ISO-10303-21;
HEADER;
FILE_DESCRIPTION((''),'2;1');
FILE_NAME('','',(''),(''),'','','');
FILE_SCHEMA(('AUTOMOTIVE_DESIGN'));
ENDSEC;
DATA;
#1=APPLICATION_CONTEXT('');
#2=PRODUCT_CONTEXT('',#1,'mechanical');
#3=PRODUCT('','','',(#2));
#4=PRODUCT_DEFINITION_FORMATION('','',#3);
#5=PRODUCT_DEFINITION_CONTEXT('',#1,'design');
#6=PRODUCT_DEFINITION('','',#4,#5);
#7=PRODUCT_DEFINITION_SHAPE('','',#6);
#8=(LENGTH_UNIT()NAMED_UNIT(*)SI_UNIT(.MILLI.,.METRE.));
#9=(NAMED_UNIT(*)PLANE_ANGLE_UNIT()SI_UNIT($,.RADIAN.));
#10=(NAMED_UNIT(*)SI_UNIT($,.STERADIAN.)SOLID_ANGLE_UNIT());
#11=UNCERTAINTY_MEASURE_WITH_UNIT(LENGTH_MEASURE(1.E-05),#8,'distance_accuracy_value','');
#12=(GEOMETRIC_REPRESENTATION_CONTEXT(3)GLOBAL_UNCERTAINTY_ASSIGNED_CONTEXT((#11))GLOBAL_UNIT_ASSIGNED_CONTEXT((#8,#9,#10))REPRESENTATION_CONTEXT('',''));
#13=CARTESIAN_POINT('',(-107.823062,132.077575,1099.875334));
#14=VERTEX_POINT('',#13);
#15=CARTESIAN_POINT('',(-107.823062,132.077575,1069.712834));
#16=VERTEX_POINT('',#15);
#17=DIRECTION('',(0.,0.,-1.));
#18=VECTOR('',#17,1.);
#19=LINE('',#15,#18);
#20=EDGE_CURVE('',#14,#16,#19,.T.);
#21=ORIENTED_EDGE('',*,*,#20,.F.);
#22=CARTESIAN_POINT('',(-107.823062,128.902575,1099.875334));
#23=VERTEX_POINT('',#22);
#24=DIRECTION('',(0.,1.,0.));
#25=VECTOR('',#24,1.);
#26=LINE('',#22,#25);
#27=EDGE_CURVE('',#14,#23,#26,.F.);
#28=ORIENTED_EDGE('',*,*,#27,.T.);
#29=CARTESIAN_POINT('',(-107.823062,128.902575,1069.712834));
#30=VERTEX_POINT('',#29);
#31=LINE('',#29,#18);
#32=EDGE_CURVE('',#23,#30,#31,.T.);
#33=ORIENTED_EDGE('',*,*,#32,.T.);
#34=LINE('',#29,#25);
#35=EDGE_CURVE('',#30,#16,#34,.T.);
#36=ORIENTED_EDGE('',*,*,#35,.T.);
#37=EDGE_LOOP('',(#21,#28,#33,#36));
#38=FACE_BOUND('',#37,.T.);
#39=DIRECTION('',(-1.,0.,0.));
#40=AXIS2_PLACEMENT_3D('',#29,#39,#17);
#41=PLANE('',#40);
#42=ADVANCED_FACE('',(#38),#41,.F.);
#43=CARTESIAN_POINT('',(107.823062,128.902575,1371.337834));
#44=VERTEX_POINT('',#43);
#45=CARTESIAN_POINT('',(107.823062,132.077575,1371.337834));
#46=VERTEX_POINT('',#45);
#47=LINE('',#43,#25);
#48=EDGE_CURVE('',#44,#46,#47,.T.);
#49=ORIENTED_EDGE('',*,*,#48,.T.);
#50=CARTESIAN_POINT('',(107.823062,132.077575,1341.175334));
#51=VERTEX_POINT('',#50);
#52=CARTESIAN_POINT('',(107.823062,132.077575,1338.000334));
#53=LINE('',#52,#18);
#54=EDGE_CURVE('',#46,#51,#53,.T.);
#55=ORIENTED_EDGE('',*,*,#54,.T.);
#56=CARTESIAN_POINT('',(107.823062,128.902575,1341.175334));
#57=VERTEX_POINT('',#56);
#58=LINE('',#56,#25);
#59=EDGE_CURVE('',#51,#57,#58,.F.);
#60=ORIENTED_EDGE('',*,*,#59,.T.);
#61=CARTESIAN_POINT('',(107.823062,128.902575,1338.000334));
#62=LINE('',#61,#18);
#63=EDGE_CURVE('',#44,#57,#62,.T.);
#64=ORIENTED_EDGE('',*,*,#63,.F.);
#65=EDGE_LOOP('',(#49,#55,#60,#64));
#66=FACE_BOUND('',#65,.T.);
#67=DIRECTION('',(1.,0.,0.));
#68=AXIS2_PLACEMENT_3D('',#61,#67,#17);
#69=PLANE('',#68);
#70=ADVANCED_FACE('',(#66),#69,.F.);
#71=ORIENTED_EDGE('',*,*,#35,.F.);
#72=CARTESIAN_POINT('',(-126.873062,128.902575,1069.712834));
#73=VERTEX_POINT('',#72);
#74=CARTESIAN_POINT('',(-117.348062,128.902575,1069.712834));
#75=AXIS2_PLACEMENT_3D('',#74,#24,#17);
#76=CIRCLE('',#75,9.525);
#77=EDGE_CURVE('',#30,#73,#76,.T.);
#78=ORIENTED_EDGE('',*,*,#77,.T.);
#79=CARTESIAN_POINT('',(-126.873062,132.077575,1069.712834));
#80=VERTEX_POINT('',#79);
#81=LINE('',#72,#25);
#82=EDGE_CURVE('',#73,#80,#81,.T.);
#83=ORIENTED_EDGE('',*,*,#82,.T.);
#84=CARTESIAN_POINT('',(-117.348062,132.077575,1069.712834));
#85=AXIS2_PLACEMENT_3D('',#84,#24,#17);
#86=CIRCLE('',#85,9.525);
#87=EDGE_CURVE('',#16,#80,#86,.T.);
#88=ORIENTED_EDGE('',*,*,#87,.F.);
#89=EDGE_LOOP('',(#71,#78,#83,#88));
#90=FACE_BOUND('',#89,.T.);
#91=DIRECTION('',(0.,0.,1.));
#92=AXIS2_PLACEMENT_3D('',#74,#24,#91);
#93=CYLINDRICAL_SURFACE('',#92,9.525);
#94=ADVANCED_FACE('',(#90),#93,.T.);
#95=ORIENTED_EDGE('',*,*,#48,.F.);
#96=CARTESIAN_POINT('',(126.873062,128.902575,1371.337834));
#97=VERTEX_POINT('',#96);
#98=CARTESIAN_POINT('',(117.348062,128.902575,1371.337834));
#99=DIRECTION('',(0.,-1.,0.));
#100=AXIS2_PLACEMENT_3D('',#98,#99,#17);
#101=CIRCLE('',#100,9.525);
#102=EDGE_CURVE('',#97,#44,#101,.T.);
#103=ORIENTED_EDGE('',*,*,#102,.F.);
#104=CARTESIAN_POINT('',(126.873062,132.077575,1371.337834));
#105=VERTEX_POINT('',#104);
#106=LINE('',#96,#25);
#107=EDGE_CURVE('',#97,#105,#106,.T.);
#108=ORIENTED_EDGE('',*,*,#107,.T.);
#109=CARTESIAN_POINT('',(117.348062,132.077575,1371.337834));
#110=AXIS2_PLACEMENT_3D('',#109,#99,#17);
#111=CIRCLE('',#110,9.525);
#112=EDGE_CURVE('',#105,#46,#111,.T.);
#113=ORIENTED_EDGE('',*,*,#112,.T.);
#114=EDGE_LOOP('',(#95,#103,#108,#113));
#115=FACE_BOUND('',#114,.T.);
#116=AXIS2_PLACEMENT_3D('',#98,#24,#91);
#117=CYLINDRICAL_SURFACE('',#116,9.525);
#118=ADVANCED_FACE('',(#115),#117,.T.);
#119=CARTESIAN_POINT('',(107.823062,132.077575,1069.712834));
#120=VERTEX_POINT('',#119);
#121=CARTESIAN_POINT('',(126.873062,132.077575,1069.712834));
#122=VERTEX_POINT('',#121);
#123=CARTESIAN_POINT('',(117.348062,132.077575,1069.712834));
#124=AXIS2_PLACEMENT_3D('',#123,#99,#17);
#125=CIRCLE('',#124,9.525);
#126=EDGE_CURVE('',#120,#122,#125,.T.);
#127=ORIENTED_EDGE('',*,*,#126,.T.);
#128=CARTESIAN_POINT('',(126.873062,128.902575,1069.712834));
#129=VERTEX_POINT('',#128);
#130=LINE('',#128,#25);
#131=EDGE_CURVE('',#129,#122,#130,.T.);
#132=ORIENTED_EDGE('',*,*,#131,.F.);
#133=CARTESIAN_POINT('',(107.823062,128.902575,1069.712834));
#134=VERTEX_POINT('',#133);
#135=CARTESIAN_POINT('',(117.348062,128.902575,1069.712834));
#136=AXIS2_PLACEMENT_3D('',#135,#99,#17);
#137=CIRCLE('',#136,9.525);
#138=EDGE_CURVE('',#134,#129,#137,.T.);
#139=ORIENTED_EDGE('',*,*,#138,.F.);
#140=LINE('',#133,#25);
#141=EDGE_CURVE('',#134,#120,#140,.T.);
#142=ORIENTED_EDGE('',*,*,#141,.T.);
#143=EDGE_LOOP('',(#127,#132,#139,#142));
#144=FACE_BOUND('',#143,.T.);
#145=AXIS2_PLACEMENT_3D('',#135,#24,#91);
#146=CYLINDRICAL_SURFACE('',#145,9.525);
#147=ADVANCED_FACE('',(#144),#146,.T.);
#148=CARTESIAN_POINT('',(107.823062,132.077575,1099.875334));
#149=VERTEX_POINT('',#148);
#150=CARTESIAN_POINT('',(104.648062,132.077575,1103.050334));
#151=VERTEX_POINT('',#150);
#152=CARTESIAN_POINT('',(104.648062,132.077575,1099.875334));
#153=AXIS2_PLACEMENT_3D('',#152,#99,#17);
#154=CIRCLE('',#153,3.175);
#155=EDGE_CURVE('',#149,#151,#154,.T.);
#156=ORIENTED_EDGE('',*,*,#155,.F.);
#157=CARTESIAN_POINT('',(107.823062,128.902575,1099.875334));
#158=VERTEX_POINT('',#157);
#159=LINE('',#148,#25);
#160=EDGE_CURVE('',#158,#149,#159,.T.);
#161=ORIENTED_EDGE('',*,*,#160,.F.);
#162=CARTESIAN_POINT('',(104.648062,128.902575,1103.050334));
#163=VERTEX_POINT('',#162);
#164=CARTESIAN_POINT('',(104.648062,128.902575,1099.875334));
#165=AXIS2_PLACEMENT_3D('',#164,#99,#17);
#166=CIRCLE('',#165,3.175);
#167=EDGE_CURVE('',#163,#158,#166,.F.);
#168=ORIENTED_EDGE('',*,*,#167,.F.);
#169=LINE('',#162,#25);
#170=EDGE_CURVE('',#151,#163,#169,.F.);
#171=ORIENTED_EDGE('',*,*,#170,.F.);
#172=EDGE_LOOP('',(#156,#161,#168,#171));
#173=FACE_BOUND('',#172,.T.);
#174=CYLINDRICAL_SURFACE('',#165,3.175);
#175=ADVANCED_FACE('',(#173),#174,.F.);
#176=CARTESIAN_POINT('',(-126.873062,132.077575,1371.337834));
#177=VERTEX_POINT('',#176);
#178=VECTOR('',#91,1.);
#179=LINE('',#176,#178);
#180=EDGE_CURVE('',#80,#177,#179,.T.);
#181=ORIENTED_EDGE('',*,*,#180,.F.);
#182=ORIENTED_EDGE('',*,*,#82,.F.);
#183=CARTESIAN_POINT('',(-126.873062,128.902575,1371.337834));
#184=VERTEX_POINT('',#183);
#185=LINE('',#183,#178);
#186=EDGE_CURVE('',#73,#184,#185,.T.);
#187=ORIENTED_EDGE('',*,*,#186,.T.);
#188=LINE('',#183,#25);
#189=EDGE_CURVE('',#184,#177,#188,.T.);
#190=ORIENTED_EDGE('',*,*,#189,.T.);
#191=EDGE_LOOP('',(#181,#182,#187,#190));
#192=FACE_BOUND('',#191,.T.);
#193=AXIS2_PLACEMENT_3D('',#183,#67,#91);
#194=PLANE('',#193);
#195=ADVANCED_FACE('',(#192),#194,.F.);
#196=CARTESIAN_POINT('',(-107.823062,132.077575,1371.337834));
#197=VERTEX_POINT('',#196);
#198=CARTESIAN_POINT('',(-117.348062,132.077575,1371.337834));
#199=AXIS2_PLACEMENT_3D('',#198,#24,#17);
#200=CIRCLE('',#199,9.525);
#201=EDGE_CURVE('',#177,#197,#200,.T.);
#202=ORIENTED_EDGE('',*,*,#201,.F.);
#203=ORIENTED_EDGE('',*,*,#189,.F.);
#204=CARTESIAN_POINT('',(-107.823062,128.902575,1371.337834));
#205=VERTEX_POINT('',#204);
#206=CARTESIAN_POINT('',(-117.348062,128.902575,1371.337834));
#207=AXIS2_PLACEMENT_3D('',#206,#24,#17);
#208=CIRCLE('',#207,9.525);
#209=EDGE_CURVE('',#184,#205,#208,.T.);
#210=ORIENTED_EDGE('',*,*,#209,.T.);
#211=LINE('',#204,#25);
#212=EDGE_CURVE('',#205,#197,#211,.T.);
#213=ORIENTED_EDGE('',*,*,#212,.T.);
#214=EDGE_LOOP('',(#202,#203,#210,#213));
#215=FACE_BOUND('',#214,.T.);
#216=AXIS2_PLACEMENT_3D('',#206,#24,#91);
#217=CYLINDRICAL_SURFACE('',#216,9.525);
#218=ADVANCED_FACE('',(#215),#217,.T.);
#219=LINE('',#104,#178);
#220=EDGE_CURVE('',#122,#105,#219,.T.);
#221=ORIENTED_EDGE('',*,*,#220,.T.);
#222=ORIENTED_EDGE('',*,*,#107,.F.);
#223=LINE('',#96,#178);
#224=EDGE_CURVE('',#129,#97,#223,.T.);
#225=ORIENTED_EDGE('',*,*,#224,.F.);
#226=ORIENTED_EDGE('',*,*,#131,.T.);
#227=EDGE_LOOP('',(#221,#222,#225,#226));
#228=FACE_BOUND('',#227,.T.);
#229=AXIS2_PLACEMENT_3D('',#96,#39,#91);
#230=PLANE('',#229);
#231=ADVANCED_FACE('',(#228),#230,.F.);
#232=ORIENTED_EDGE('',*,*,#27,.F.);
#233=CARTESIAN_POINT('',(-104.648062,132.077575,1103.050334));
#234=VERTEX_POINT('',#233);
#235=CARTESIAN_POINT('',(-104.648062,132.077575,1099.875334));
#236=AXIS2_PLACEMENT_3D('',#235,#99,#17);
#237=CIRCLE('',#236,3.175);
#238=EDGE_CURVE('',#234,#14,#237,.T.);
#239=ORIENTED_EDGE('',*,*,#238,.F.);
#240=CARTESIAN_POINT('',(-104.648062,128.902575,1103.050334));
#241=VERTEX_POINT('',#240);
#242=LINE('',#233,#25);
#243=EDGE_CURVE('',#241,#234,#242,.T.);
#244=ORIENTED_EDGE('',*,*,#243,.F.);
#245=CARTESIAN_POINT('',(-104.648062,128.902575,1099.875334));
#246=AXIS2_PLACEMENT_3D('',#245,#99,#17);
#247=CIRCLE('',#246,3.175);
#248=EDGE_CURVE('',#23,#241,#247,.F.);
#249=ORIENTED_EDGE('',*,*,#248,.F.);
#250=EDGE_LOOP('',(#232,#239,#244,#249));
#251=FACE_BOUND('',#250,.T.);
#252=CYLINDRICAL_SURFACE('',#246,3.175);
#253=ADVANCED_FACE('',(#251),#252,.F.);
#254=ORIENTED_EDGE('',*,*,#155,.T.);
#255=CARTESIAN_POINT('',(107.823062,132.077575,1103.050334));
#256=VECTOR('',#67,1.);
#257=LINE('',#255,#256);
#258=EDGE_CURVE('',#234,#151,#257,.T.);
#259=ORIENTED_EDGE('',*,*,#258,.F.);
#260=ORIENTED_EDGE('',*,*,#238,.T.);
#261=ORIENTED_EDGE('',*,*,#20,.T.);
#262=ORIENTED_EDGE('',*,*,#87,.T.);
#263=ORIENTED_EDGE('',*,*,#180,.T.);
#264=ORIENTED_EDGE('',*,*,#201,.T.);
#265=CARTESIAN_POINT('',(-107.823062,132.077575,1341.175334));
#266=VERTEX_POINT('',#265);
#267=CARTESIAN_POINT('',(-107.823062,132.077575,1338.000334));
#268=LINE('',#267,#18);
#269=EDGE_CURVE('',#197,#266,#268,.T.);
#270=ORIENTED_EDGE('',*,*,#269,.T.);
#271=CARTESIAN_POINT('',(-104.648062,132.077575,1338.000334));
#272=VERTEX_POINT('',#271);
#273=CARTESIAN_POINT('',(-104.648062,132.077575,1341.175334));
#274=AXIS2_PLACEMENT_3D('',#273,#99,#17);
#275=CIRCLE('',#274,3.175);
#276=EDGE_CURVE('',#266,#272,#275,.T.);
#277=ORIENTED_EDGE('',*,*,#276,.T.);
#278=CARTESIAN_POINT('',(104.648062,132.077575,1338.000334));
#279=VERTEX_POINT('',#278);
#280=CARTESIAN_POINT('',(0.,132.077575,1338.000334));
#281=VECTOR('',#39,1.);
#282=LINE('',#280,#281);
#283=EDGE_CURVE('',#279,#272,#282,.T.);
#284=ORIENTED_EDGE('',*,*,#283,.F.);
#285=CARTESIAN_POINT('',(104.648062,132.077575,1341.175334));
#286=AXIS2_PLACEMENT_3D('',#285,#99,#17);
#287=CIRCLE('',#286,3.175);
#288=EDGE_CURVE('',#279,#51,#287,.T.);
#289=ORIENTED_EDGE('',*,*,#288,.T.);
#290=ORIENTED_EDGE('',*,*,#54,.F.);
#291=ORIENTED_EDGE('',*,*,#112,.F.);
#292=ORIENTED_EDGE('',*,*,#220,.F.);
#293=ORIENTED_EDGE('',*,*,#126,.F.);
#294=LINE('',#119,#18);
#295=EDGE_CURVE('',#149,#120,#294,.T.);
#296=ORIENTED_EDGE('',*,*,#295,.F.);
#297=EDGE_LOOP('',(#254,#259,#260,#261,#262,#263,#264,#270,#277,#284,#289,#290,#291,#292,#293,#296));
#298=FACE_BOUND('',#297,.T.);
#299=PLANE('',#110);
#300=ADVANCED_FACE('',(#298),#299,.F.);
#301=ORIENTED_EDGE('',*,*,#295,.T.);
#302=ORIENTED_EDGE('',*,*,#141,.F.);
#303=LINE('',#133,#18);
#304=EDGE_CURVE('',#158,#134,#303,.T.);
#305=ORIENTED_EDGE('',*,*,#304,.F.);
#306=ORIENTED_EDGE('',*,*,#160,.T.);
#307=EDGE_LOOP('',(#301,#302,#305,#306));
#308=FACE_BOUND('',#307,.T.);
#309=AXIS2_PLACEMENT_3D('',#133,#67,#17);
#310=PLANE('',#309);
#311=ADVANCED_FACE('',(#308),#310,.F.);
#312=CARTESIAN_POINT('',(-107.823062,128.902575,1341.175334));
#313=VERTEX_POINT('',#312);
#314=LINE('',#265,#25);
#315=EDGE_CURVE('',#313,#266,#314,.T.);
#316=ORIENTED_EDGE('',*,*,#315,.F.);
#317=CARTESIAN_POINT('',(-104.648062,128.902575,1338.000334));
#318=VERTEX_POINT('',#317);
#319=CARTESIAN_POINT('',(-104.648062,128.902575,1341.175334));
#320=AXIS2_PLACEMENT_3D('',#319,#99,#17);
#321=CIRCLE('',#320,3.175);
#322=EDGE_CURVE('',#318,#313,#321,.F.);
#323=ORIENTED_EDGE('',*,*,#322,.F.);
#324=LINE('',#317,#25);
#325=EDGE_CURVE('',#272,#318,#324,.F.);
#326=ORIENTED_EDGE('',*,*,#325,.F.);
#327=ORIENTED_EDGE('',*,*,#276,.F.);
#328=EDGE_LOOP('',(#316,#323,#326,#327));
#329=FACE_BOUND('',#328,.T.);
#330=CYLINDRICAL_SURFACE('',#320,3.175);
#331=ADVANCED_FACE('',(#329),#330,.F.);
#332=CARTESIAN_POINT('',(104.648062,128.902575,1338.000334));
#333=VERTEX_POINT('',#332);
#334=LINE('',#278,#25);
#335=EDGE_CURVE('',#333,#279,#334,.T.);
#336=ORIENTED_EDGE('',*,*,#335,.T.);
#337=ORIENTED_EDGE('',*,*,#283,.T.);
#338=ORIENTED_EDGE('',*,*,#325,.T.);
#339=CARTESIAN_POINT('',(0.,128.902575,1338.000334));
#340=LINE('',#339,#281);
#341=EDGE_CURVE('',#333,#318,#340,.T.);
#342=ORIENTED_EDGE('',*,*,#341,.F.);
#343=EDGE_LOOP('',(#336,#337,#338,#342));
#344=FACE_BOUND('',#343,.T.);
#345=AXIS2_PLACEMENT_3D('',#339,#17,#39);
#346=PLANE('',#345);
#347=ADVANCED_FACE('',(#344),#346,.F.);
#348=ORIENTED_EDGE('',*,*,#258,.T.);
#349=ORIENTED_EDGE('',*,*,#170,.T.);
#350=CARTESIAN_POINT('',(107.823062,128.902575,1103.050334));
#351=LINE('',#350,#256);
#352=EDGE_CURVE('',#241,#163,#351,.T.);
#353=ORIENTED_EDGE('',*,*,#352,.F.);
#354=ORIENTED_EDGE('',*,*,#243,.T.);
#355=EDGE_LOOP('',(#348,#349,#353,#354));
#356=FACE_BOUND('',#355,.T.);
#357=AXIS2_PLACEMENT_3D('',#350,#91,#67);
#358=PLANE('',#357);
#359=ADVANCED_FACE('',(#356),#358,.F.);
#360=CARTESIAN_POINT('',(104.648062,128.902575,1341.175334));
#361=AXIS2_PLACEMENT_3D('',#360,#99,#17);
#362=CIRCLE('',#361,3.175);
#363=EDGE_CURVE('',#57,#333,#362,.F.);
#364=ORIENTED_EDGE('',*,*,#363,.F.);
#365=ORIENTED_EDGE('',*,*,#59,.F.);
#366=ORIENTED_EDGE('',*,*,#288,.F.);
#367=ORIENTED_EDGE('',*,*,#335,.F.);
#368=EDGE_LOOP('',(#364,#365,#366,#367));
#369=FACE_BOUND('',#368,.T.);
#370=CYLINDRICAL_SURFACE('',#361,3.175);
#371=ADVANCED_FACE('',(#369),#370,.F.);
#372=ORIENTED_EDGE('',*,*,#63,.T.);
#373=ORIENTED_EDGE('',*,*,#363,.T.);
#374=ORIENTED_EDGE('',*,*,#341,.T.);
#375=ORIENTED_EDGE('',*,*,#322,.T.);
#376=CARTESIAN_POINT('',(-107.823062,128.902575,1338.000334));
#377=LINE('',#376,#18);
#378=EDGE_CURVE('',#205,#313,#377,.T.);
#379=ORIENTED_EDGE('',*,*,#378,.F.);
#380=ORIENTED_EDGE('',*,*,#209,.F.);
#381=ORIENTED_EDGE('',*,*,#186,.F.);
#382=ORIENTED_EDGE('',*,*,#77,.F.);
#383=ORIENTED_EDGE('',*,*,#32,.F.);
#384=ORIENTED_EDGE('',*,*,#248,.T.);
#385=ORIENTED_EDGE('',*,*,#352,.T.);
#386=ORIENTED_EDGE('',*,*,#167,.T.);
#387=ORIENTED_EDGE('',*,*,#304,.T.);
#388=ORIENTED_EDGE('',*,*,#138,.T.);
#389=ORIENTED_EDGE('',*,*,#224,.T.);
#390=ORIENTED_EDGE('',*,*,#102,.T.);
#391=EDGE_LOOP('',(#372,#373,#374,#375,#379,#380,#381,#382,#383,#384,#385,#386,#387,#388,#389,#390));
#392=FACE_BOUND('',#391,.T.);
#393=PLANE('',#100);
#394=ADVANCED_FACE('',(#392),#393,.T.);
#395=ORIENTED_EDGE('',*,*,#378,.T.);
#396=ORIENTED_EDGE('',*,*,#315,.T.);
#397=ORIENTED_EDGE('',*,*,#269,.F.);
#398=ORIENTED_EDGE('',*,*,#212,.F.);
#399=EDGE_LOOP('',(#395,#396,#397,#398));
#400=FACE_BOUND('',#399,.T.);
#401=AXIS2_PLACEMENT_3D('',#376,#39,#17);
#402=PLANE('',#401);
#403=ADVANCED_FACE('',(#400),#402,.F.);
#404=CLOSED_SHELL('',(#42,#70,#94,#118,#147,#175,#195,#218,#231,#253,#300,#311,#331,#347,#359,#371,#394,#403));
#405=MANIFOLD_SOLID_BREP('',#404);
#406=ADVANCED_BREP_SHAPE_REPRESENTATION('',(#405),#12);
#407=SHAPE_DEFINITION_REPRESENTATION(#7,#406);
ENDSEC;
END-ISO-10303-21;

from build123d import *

# Parameters (mm, degrees)
BOSS_EXTRUDE1_START = 12.827
BOSS_EXTRUDE1_DEPTH = 3.175
FILLET1_R           = 3.175


with BuildPart() as part:
    # Sketch1 → Boss-Extrude1 (new body)
    with BuildSketch(Plane(origin=(0, 144.904574554, 0), x_dir=(-1, 0, 0), z_dir=(0, -1, 0)).offset(BOSS_EXTRUDE1_START)):
        with BuildLine():
            Line((-107.823062484, -1103.050334154), (0, -1103.050334154))
            Line((0, -1103.050334154), (0, -1338.000334154))
            Line((0, -1338.000334154), (-107.823062484, -1338.000334154))
            Line((-107.823062484, -1338.000334154), (-107.823062484, -1371.337834154))
            ThreePointArc((-107.823062484, -1371.337834154), (-117.348062484, -1380.862834154), (-126.873062484, -1371.337834154))
            Line((-126.873062484, -1371.337834154), (-126.873062484, -1069.712834154))
            ThreePointArc((-126.873062484, -1069.712834154), (-117.348062484, -1060.187834154), (-107.823062484, -1069.712834154))
            Line((-107.823062484, -1069.712834154), (-107.823062484, -1103.050334154))
        make_face()
    extrude(amount=BOSS_EXTRUDE1_DEPTH)

    # Mirror1: part across plane


with BuildPart() as part_1:
    add(part.part)
    add(part.part.mirror(Plane(origin=(0, 0, 0), x_dir=(0, 0, 1), z_dir=(1, 0, 0))))

    # Fillet1
    fillet1_edges = [part_1.edges().sort_by_distance(p)[0] for p in [
        (107.823062484, 130.490074554, 1103.050334154),
        (107.823062484, 130.490074554, 1338.000334154),
        (-107.823062484, 130.490074554, 1338.000334154),
        (-107.823062484, 130.490074554, 1103.050334154),
    ]]
    fillet(fillet1_edges, radius=FILLET1_R)


solid = part_1.part
